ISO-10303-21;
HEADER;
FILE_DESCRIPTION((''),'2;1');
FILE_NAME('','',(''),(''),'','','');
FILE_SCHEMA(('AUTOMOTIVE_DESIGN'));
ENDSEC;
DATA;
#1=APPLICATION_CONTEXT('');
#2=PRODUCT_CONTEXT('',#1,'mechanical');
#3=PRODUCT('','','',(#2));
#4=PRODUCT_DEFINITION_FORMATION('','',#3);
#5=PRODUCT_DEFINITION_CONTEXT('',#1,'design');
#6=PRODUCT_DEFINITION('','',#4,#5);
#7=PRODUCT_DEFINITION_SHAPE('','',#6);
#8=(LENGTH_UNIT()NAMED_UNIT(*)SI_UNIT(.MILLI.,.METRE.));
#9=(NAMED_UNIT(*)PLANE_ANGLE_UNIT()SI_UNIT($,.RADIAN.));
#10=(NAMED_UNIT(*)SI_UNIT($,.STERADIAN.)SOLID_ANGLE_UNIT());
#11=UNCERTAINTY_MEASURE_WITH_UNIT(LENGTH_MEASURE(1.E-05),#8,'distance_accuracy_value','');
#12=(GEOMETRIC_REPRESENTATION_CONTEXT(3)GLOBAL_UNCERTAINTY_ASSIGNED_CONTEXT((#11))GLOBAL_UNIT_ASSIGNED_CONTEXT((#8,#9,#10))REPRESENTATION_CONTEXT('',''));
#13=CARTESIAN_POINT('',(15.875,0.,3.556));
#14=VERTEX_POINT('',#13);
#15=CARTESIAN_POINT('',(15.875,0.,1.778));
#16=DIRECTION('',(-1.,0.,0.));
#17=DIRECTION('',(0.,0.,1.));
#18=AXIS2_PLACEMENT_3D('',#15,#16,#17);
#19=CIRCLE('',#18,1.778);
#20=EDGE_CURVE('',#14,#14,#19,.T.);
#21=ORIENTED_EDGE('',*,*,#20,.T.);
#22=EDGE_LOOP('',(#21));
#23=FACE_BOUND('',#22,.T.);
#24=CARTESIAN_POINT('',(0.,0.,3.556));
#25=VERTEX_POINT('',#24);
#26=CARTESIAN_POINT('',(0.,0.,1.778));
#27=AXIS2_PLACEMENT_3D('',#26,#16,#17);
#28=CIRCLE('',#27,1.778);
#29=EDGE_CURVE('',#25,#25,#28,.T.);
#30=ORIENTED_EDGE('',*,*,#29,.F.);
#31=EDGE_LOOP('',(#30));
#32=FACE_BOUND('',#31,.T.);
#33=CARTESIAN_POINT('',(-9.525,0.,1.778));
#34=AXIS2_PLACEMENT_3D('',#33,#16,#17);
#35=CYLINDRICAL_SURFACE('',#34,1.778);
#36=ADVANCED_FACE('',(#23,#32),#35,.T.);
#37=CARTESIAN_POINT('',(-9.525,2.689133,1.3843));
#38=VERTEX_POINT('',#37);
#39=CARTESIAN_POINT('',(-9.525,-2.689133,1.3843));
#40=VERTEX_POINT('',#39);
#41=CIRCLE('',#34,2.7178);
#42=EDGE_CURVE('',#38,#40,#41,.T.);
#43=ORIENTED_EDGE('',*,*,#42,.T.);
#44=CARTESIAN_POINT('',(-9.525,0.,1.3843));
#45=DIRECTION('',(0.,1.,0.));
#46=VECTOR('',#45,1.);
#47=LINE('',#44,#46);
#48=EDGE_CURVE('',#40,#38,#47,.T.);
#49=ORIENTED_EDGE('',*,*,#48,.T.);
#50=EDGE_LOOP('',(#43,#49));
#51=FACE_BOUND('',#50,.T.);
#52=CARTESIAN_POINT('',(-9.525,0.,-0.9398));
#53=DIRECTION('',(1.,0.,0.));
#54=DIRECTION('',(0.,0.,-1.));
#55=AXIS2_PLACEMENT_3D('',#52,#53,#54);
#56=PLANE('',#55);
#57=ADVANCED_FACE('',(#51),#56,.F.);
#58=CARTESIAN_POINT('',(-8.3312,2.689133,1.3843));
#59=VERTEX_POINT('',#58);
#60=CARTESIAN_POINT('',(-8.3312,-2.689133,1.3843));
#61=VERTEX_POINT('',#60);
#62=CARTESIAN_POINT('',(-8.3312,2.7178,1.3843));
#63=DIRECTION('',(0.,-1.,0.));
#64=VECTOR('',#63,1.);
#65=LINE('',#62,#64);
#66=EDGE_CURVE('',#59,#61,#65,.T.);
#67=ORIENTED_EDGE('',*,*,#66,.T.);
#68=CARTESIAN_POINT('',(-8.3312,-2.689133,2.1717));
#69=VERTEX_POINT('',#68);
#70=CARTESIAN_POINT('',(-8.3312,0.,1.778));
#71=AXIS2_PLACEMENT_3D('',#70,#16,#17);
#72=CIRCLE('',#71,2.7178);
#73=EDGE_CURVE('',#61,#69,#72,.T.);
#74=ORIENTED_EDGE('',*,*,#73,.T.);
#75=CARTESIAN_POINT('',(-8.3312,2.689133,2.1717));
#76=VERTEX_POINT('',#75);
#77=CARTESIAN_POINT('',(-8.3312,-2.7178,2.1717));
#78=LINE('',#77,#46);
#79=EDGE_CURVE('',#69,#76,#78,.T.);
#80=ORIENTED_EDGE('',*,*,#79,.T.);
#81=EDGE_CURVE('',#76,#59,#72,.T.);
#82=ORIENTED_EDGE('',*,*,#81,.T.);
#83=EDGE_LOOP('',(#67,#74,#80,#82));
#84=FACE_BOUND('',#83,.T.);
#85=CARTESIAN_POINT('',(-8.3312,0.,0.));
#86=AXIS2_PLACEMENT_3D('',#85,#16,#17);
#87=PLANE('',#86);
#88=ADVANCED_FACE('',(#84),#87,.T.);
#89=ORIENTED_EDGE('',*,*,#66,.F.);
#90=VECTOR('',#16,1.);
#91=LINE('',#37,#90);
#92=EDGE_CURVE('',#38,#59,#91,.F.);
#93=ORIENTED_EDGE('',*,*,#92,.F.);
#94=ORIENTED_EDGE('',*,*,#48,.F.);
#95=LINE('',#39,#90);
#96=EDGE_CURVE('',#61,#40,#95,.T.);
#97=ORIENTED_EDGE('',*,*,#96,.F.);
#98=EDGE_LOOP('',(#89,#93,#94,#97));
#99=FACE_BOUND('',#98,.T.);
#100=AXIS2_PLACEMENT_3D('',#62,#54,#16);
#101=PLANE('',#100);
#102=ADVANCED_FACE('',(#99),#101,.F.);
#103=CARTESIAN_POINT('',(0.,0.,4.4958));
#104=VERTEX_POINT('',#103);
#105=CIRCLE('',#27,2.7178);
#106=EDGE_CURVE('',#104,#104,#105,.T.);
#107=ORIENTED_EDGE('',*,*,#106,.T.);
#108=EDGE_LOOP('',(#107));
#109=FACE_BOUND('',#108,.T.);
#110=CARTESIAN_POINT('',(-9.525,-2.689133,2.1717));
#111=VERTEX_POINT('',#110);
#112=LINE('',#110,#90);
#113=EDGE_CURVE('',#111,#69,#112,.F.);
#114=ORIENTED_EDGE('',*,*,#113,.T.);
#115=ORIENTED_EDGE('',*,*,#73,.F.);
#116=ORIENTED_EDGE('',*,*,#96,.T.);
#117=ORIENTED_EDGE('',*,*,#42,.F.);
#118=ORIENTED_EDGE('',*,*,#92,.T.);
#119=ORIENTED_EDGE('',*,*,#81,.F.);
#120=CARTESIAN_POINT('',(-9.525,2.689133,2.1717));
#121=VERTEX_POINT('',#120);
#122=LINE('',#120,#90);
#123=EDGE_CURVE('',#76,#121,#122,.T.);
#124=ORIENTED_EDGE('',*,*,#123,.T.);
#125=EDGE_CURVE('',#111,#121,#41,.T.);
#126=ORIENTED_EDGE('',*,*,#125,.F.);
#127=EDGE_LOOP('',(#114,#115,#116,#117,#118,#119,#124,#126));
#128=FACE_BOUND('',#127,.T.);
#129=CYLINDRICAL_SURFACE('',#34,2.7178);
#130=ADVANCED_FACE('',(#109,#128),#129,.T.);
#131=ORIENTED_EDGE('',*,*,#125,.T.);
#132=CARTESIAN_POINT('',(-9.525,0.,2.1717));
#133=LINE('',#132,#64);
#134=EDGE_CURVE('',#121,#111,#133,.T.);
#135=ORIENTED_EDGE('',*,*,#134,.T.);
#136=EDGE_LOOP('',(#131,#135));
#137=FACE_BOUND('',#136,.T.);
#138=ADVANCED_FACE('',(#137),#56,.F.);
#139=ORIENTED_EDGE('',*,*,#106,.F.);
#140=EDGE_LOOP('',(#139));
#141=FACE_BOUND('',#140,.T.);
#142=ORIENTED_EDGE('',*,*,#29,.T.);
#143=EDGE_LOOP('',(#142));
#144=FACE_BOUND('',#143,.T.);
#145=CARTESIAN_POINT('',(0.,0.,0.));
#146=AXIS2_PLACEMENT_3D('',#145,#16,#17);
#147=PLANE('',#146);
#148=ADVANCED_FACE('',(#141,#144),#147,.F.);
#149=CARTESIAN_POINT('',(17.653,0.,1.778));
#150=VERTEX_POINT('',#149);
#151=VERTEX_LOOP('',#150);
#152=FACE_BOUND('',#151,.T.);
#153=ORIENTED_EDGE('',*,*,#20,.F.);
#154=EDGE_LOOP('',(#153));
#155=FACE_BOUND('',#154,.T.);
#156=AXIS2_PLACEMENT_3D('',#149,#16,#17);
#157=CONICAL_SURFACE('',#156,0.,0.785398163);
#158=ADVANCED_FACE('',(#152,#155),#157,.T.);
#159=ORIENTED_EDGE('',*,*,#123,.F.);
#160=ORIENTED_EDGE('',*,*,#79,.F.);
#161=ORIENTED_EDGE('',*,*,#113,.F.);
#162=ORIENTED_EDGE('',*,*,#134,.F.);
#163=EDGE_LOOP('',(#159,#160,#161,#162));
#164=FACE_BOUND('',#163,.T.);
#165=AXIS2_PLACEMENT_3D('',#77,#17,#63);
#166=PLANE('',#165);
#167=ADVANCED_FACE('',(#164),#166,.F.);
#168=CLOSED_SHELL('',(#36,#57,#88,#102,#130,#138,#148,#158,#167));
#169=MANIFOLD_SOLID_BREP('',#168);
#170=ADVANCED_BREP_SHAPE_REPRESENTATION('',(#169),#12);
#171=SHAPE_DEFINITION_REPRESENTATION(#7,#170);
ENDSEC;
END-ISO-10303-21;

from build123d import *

# Parameters (mm, degrees)
SKETCH3_W          = 0.7874
SKETCH3_H          = 5.4356
CUT_EXTRUDE1_DEPTH = 1.1938


with BuildPart() as part:
    # Sketch2 → Revolve1 (revolve)
    with BuildSketch(Plane(origin=(0, 0, 0), x_dir=(1, 0, 0), z_dir=(0, 1, 0))):
        Polygon((0, 0), (15.875, 0), (17.653, -1.778), (-9.525, -1.778), (-9.525, 0.9398), (0, 0.9398), align=None)
    revolve(axis=Axis((-9.525, 0, 1.778), (1, 0, 0)))

    # Sketch3 → Cut-Extrude1 (cut)
    with BuildSketch(Plane.ZY.offset(9.525)):
        with Locations((1.778, 0)):
            Rectangle(SKETCH3_W, SKETCH3_H)
    extrude(amount=-CUT_EXTRUDE1_DEPTH, mode=Mode.SUBTRACT)


solid = part.part
